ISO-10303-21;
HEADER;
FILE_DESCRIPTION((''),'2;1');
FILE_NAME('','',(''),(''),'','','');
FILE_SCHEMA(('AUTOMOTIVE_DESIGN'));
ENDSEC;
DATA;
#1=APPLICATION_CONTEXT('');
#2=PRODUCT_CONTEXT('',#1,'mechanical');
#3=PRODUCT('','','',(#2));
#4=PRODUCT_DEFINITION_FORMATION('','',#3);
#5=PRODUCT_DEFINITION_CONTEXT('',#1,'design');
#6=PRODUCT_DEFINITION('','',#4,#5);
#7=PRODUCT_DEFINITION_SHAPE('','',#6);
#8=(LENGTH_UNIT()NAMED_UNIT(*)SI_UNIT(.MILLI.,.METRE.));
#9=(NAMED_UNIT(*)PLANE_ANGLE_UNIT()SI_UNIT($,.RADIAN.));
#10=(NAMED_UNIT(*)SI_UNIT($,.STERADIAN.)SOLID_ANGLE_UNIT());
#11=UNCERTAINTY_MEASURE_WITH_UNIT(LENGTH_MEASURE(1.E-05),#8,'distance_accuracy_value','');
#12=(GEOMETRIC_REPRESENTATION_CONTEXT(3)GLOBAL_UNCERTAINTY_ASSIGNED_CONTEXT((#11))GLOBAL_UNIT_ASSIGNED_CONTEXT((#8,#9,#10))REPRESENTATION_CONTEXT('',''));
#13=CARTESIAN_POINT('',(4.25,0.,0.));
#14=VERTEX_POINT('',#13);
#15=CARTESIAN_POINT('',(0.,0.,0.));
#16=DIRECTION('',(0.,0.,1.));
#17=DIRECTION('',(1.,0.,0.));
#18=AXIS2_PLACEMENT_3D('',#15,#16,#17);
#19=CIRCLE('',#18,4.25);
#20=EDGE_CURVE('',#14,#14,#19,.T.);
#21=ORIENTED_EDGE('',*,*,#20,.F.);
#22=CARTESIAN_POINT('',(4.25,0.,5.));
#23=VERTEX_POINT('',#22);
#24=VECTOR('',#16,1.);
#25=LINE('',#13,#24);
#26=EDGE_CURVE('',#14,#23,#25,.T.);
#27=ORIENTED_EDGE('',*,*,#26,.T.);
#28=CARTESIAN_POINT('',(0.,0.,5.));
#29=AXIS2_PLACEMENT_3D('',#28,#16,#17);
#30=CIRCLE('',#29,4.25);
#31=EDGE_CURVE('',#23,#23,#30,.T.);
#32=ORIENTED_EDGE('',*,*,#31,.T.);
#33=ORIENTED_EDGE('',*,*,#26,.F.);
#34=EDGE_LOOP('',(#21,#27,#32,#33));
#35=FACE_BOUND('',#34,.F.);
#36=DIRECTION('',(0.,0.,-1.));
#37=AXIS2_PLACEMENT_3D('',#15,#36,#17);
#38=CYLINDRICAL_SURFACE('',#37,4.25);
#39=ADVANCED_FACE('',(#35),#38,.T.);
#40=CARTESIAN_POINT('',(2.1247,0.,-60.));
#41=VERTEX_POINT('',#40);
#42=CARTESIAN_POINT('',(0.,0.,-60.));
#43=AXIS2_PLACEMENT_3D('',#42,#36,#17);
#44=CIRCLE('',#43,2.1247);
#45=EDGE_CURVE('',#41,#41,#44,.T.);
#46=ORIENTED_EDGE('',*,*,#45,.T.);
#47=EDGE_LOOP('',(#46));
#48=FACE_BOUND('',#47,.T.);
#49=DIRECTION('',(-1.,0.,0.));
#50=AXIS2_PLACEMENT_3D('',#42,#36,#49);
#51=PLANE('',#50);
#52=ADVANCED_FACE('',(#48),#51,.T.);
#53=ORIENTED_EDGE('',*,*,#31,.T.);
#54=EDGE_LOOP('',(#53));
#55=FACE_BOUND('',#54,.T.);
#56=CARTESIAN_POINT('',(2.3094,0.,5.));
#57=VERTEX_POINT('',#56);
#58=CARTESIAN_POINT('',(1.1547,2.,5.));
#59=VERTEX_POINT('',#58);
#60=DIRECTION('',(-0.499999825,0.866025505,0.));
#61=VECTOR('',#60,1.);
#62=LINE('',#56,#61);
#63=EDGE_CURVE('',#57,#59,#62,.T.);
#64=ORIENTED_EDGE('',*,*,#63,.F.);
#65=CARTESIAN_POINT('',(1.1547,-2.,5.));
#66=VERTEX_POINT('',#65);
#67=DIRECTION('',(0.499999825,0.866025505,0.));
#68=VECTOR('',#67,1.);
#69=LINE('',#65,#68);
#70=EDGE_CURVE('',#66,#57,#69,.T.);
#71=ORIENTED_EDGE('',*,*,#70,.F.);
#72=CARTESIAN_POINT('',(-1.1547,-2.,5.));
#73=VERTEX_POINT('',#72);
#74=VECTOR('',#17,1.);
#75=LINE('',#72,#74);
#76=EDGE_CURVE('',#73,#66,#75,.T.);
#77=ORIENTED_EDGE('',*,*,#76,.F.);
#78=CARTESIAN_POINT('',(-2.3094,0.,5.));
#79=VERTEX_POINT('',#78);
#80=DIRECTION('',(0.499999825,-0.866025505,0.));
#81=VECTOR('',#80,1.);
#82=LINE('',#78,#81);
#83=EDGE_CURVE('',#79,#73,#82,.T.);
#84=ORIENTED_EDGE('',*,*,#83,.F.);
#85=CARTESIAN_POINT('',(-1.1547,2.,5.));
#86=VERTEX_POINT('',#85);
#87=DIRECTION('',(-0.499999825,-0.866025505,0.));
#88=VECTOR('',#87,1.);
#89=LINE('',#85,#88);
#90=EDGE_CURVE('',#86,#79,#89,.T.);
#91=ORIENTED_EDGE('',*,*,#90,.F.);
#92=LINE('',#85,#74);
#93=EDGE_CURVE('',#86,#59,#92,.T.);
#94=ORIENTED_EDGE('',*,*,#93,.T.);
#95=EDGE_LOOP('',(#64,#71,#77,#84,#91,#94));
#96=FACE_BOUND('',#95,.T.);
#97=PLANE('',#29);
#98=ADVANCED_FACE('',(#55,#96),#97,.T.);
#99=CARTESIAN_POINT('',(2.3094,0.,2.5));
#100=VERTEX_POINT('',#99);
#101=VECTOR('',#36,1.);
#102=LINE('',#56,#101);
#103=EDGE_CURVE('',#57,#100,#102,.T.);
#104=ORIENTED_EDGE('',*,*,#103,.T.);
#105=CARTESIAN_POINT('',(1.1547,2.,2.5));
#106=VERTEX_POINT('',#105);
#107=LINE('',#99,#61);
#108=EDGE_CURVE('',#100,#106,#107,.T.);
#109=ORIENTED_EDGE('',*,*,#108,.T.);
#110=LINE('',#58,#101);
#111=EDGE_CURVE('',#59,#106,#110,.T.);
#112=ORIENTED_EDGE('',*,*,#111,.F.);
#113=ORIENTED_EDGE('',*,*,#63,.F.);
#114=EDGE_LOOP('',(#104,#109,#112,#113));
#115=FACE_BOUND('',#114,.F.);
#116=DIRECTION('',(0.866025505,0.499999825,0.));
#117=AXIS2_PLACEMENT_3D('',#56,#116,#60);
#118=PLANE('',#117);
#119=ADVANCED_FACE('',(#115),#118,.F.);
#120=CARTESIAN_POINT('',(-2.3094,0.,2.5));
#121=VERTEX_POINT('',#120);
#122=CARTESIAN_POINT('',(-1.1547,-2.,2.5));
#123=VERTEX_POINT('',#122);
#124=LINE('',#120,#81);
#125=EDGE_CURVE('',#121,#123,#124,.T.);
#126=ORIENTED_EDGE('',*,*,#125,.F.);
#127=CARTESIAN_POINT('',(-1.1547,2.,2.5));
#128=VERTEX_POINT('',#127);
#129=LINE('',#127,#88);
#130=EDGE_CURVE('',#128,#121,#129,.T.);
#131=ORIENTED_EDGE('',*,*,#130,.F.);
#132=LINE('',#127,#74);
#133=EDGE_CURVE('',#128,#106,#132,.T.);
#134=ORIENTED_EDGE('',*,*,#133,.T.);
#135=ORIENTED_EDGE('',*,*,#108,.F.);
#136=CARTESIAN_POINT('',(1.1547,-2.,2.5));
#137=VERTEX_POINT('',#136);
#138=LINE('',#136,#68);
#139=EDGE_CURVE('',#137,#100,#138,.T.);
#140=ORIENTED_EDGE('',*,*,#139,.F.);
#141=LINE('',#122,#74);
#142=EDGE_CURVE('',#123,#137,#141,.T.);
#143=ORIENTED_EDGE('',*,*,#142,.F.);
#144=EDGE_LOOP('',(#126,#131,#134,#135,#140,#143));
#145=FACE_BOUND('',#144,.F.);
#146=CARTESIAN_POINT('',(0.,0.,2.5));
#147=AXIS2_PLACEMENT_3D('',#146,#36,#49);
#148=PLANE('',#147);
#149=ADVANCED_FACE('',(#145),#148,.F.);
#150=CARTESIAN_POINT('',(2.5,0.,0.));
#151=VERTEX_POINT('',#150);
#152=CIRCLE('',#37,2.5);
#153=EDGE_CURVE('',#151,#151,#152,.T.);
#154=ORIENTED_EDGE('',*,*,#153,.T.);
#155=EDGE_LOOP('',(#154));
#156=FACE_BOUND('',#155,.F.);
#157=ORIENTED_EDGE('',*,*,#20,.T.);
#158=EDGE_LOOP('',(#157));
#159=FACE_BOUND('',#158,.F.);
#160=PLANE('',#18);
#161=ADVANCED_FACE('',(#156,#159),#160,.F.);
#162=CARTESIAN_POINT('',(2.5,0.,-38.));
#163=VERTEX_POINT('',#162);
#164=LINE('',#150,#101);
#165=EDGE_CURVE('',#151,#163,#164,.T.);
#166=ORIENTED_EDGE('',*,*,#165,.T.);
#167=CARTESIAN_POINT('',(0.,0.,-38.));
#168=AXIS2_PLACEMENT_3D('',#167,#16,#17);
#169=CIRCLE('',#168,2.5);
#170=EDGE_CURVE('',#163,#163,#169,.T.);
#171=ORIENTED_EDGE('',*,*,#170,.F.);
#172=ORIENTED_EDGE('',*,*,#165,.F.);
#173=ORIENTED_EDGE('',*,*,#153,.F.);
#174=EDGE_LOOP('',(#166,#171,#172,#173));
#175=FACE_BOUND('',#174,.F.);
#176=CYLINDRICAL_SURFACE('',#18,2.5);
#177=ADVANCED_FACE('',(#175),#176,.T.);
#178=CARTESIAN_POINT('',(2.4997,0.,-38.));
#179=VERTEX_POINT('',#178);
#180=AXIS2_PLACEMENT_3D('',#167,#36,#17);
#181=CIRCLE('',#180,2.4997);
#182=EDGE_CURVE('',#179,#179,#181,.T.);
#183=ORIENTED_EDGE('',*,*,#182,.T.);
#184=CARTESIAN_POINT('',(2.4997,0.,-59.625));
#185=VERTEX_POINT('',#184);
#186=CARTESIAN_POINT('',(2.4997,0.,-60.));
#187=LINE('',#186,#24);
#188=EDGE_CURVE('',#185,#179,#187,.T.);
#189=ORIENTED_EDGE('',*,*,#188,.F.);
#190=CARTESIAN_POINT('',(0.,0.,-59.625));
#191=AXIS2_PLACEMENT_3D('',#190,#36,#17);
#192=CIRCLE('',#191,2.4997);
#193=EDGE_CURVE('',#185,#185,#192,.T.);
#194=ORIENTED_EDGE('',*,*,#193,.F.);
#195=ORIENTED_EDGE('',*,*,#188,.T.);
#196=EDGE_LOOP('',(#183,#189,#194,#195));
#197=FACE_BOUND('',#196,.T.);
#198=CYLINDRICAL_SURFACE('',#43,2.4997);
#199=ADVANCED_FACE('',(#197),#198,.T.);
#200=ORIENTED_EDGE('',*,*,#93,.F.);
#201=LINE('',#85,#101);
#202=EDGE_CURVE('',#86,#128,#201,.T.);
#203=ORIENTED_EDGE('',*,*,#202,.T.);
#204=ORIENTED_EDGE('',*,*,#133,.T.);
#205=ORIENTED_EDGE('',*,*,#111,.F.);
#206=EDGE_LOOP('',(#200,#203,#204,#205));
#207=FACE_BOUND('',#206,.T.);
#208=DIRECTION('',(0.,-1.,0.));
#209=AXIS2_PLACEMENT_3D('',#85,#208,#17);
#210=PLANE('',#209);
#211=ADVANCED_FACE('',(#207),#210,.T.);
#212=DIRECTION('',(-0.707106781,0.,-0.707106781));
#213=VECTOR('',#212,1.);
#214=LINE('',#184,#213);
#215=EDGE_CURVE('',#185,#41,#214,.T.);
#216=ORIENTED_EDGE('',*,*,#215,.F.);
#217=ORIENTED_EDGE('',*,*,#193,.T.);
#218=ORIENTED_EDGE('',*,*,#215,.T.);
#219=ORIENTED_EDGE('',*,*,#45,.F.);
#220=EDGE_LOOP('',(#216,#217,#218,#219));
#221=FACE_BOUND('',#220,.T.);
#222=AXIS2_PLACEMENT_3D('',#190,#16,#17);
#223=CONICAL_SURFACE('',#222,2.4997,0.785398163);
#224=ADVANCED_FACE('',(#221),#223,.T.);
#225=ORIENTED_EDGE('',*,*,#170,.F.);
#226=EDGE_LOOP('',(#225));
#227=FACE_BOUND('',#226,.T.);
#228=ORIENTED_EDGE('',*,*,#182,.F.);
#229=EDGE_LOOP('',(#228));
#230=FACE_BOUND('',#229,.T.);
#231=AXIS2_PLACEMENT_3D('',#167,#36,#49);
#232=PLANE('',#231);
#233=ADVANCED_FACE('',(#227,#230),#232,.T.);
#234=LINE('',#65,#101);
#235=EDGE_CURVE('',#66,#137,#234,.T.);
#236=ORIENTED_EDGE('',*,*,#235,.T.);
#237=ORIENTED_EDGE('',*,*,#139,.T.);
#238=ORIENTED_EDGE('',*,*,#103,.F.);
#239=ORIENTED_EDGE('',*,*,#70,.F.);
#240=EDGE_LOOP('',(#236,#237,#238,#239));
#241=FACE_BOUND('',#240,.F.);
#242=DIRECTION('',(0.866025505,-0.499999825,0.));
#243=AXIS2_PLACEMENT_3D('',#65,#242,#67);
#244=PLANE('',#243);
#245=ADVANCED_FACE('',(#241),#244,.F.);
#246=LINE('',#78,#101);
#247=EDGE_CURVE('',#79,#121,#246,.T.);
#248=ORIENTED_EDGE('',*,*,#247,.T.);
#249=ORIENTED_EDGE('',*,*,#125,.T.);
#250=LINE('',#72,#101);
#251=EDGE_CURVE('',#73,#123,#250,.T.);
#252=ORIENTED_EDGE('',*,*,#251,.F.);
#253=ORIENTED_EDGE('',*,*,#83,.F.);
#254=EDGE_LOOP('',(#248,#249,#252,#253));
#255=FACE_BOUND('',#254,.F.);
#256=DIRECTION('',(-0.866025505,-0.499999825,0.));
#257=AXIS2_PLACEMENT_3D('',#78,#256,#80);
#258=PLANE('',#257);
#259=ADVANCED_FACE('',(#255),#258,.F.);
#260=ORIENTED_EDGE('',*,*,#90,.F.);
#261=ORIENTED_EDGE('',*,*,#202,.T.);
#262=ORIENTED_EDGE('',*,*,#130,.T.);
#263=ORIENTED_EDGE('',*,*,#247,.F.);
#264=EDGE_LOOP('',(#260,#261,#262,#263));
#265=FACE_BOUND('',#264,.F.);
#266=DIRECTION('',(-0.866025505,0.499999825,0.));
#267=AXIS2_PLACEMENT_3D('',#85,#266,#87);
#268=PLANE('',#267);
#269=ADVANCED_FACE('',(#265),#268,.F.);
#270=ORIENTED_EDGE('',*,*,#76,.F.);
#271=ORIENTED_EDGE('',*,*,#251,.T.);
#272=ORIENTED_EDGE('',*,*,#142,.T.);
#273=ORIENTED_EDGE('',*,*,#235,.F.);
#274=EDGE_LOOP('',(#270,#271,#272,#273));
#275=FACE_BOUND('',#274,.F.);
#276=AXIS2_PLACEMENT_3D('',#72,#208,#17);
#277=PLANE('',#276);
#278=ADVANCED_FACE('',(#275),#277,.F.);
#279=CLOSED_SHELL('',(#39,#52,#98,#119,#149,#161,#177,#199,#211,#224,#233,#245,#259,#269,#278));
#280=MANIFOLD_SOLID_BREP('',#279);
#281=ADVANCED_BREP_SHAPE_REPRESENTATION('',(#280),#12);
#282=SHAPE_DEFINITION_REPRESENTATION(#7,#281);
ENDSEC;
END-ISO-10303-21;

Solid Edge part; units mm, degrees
sketch "Sketch1" plane through (0, 0, 0) normal (0, 0, 1) x (1, 0, 0)
  circle A0 centre (0, 0) radius 4.25
  dimension "D1" = 8.5
extrude "Protrusion1" add sketch "Sketch1" along normal blind 5
sketch "Sketch2" plane through (0, 0, 0) normal (0, 0, -1) x (1, 0, 0)
  circle A0 centre (0, 0) radius 2.5
extrude "Protrusion2" add sketch "Sketch2" along normal blind 60
sketch "Sketch3" plane through (0, 0, -60) normal (0, 0, -1) x (1, 0, 0)
  circle A0 centre (0, 0) radius 2.4997
extrude "Cutout1" cut sketch "Sketch3" against normal blind 22 flip side to cut
chamfer "Chamfer_1" distance 0.375 angle 45 1 edges at (-2.4997, 0, -60)
sketch "Sketch4" plane through (0, 0, 5) normal (0, 0, 1) x (1, 0, 0)
  line L0 (-1.1547, 2) -> (1.1547, 2)
  line L1 (2.3094, 0) -> (1.1547, 2)
  line L2 (1.1547, -2) -> (2.3094, 0)
  line L3 (-1.1547, -2) -> (1.1547, -2)
  line L4 (-2.3094, 0) -> (-1.1547, -2)
  line L5 (-1.1547, 2) -> (-2.3094, 0)
  dimension "D1" = 4
extrude "Cutout2" cut sketch "Sketch4" against normal blind 2.5
properties part number "107234"
